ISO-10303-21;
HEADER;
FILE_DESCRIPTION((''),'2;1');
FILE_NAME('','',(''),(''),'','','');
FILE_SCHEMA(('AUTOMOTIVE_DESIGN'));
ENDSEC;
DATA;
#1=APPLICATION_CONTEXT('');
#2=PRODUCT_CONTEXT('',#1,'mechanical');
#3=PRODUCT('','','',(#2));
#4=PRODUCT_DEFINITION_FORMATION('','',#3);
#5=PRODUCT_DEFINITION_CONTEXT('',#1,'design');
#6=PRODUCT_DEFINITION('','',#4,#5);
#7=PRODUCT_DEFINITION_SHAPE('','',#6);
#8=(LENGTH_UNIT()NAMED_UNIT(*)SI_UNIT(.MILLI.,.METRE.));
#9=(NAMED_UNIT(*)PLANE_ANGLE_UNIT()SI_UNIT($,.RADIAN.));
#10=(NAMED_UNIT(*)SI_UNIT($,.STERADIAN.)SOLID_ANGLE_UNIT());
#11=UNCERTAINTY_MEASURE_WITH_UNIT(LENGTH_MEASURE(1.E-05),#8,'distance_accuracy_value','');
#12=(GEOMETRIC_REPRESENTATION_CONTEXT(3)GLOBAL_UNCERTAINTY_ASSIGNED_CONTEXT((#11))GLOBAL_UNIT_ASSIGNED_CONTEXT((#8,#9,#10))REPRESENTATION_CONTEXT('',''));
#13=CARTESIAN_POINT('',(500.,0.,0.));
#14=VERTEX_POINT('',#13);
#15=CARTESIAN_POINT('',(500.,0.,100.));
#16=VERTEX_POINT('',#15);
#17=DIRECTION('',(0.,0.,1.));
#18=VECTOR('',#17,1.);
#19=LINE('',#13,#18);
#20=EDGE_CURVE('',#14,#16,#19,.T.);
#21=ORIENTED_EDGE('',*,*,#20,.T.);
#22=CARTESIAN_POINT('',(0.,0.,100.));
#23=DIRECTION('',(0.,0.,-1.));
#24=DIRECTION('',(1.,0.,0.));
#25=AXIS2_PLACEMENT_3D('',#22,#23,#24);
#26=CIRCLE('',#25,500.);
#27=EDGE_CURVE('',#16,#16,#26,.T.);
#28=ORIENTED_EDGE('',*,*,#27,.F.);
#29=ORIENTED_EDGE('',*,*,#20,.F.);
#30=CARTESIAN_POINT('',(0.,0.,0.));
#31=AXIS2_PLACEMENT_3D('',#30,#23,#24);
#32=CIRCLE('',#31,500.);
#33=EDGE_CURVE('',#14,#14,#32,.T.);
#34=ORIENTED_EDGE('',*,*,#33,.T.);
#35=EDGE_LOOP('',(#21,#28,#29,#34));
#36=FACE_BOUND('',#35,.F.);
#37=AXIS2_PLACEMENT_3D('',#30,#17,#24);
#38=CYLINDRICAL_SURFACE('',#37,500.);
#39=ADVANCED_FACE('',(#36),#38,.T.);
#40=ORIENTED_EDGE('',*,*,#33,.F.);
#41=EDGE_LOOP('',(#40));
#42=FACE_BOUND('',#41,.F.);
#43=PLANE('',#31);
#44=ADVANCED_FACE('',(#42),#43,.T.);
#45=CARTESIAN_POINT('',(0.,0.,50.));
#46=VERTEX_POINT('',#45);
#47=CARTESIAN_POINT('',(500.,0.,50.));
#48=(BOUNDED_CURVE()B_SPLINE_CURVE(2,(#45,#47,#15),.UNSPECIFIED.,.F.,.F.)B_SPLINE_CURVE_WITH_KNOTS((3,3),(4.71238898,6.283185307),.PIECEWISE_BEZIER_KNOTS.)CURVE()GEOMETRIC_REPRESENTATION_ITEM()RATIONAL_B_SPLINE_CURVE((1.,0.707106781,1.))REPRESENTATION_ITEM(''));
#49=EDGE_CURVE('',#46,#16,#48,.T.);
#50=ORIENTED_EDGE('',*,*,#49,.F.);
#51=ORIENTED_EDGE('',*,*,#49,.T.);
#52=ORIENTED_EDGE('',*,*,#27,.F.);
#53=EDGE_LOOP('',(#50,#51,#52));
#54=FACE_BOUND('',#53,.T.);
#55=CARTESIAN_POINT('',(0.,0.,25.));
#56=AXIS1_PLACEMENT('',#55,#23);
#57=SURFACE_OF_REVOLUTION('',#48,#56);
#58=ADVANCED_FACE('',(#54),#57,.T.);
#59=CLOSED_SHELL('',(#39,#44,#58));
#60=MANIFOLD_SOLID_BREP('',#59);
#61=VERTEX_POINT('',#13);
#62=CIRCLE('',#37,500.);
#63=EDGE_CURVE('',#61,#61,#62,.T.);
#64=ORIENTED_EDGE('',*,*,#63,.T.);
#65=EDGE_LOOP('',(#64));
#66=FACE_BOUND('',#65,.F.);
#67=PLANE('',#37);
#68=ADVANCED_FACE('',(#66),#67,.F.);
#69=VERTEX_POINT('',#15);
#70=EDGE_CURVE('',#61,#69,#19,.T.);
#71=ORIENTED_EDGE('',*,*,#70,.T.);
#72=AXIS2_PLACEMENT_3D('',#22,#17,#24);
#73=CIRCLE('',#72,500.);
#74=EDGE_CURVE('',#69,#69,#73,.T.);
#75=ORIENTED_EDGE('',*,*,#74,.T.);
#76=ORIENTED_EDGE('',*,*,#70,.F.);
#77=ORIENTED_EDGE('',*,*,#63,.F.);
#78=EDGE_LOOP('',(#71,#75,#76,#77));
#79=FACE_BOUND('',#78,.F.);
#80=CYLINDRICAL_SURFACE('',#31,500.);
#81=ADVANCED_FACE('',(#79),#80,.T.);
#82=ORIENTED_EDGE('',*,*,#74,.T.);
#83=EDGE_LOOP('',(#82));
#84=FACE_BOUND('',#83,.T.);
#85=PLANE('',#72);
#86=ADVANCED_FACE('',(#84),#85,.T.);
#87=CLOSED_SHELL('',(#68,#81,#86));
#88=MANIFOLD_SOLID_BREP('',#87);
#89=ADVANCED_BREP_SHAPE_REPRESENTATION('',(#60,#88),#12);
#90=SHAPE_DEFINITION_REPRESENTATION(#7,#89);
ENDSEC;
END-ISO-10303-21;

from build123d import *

# Parameters (mm, degrees)
F0_R     = 500
F1_DEPTH = 100


with BuildPart() as f1:
    # F0 (on Top) → F1 (new body)
    with BuildSketch(Plane.XY):
        Circle(F0_R)
    extrude(amount=F1_DEPTH)


with BuildPart() as f3:
    # F2 (on Front) → F3 (revolve)
    with BuildSketch(Plane.XZ):
        with BuildLine():
            add(Edge.make_bspline(
                [(0, 50), (500, 50), (500, 100)],
                knots=[4.7123889804, 4.7123889804, 4.7123889804, 6.2831853072, 6.2831853072, 6.2831853072], degree=2, weights=[1, 0.7071067812, 1]))
            Line((0, 50), (0, 0))
            Line((0, 0), (500, 0))
            Line((500, 0), (500, 100))
        make_face()
    revolve(axis=Axis((0, 0, 25), (0, 0, -1)))


solid = Compound([f1.part, f3.part])
